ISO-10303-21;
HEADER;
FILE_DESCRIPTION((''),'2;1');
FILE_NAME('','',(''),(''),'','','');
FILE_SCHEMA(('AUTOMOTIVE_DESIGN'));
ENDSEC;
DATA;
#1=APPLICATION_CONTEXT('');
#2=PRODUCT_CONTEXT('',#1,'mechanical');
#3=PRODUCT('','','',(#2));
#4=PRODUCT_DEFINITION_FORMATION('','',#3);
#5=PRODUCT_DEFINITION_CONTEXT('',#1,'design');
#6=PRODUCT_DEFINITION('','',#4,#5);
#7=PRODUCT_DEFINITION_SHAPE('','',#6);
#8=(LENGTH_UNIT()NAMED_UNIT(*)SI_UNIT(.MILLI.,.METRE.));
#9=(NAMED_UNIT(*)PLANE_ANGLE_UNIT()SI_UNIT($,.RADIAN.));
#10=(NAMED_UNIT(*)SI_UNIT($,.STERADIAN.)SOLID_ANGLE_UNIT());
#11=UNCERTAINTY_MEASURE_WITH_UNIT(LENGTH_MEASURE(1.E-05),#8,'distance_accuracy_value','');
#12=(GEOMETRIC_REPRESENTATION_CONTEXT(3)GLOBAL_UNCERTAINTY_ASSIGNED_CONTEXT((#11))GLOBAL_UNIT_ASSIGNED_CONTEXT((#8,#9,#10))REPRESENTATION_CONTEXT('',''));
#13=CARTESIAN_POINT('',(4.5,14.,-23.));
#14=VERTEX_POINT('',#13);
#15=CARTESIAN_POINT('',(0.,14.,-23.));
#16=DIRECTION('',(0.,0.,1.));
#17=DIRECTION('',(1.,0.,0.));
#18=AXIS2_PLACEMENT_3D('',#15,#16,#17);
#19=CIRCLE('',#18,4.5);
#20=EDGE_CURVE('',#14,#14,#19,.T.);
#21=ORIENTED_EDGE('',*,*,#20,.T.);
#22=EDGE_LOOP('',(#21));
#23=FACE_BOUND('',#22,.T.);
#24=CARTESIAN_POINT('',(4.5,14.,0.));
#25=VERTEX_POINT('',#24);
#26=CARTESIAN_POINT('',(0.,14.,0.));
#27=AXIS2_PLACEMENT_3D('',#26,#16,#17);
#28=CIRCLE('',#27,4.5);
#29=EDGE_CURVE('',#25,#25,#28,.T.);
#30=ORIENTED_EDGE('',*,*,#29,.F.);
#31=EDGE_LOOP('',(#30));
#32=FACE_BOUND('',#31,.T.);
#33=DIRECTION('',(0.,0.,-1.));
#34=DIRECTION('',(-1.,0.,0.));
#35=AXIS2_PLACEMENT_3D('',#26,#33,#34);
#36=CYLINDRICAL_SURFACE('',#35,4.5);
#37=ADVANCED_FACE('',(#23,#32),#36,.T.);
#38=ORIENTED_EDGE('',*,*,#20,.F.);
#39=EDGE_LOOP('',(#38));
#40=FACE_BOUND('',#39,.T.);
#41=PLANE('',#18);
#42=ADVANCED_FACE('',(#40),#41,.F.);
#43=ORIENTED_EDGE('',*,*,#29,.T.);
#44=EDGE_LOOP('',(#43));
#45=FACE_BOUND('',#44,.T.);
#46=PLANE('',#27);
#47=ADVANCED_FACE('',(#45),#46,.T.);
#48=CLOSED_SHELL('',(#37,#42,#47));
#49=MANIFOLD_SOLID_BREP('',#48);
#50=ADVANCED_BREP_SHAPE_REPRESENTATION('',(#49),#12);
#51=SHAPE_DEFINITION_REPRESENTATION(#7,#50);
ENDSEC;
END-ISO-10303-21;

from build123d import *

# Parameters (mm, degrees)
V09_LASER_D9_L23_START = -23
SKETCH_3_R             = 4.5
V09_LASER_D9_L23_DEPTH = 23


with BuildPart() as part:
    # 草图3 → V09_Laser_D9_L23 (new body)
    with BuildSketch(Plane.XY.offset(V09_LASER_D9_L23_START)):
        with Locations((0, 14)):
            Circle(SKETCH_3_R)
    extrude(amount=V09_LASER_D9_L23_DEPTH)


solid = part.part
